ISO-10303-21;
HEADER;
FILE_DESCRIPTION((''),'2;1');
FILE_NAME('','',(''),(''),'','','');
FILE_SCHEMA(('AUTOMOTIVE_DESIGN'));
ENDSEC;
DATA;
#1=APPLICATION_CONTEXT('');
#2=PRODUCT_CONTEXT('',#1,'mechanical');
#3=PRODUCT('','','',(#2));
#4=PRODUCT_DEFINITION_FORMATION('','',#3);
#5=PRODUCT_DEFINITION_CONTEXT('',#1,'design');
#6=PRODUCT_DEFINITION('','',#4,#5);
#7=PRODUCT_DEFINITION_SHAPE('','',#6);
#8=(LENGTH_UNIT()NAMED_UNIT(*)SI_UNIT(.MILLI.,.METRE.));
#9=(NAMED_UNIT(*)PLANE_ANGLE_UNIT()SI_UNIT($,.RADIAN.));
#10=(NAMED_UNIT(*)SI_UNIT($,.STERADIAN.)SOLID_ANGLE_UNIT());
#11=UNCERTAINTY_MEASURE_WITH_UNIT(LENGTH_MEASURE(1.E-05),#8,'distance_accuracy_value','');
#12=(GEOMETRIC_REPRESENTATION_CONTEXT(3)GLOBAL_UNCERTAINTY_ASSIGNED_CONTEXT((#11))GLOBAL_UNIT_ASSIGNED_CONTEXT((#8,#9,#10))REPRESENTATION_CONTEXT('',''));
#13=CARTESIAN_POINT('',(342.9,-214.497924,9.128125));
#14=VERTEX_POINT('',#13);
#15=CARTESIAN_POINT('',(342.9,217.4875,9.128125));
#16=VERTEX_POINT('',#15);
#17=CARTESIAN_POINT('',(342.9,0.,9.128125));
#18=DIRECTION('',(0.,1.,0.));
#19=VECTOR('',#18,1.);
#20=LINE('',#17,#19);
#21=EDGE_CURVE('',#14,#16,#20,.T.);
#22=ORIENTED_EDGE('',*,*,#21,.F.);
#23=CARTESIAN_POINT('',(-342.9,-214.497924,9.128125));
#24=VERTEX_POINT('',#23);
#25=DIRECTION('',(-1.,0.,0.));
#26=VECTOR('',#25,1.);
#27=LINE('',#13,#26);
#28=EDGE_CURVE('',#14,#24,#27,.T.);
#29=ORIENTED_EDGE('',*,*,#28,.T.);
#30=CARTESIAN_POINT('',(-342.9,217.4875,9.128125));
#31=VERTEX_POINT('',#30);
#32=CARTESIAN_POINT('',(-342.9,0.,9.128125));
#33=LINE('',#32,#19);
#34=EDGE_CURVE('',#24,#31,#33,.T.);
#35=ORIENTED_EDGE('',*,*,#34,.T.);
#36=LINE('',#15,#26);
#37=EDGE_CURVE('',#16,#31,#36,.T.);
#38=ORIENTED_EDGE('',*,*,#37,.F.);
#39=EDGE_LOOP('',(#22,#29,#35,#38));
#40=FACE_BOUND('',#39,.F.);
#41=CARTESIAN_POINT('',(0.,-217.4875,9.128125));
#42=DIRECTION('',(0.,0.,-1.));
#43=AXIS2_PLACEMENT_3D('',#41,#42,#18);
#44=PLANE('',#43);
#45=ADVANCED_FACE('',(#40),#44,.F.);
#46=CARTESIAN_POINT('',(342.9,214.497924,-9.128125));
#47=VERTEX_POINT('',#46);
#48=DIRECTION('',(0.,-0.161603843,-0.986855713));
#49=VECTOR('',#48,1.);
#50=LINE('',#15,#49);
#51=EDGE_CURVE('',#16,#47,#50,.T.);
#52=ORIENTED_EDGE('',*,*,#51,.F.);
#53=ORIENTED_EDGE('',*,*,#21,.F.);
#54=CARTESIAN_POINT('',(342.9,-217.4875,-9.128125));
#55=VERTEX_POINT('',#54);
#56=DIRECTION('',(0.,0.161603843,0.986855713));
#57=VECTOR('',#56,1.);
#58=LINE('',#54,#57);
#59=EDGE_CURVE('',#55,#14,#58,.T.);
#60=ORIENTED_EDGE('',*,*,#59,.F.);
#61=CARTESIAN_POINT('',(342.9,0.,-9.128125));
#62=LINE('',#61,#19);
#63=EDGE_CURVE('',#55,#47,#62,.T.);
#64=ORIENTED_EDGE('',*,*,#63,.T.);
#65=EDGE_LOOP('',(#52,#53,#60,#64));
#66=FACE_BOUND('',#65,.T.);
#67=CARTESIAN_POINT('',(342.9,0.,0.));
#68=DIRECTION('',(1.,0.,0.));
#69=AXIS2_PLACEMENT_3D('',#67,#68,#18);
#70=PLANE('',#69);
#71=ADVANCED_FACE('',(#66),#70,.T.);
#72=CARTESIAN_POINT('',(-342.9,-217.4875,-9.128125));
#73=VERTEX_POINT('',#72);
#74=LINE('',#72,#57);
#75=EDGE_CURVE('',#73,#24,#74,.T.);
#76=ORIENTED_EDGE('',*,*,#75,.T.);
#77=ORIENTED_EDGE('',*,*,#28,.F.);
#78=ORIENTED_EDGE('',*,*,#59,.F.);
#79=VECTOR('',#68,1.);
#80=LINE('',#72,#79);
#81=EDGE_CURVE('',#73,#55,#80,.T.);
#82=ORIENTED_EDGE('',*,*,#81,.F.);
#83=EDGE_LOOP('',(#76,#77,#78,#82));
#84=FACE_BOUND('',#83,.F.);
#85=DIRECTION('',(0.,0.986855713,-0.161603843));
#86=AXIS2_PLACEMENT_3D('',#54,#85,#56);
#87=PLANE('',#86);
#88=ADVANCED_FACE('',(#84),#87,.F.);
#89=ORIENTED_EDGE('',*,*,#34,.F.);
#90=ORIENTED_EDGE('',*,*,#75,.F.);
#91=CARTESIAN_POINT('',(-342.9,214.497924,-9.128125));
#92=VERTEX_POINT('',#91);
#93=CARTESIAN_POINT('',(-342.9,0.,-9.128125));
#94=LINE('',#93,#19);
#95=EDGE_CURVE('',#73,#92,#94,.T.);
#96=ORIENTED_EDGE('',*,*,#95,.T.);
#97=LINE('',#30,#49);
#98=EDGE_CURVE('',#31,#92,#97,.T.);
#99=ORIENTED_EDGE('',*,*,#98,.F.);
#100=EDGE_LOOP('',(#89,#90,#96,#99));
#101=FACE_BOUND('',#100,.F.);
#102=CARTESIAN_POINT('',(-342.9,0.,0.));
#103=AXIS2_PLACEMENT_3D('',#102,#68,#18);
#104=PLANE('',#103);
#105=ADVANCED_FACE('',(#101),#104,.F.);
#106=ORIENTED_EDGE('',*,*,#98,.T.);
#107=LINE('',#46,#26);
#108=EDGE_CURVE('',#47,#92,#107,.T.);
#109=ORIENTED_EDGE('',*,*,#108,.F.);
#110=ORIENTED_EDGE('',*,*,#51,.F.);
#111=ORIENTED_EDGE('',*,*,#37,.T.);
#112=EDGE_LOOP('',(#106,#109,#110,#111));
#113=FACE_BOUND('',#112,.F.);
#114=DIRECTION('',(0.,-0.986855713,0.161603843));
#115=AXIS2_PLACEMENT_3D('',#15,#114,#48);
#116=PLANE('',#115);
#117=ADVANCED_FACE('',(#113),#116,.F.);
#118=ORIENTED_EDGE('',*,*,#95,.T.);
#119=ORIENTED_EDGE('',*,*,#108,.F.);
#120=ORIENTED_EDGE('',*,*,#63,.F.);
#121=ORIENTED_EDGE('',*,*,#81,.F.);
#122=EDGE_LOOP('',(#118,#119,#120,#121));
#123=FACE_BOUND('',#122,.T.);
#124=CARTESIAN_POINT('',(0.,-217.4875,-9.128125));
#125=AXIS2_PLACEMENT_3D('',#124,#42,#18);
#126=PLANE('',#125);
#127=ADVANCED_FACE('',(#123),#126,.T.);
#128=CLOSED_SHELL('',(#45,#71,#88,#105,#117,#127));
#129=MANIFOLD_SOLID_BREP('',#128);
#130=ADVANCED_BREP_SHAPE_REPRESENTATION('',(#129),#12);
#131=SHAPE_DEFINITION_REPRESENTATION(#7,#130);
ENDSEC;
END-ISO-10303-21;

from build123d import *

# Parameters (mm, degrees)
F0_W     = 434.975
F0_H     = 18.25625
F1_DEPTH = 342.9
F3_DEPTH = 685.8


with BuildPart() as f1:
    # F0 (on Right) → F1 (new body, symmetric)
    with BuildSketch(Plane.YZ):
        Rectangle(F0_W, F0_H)
    extrude(amount=F1_DEPTH, both=True)

    # F2 (on face) → F3 (cut, through all)
    with BuildSketch(Plane.YZ.offset(342.9)):
        Polygon((217.4875, -9.128125), (217.4875, 9.128125), (214.497924, -9.128125), align=None)
        Polygon((-214.497924, 9.128125), (-217.4875, 9.128125), (-217.4875, -9.128125), align=None)
    extrude(amount=-F3_DEPTH, mode=Mode.SUBTRACT)


solid = f1.part
